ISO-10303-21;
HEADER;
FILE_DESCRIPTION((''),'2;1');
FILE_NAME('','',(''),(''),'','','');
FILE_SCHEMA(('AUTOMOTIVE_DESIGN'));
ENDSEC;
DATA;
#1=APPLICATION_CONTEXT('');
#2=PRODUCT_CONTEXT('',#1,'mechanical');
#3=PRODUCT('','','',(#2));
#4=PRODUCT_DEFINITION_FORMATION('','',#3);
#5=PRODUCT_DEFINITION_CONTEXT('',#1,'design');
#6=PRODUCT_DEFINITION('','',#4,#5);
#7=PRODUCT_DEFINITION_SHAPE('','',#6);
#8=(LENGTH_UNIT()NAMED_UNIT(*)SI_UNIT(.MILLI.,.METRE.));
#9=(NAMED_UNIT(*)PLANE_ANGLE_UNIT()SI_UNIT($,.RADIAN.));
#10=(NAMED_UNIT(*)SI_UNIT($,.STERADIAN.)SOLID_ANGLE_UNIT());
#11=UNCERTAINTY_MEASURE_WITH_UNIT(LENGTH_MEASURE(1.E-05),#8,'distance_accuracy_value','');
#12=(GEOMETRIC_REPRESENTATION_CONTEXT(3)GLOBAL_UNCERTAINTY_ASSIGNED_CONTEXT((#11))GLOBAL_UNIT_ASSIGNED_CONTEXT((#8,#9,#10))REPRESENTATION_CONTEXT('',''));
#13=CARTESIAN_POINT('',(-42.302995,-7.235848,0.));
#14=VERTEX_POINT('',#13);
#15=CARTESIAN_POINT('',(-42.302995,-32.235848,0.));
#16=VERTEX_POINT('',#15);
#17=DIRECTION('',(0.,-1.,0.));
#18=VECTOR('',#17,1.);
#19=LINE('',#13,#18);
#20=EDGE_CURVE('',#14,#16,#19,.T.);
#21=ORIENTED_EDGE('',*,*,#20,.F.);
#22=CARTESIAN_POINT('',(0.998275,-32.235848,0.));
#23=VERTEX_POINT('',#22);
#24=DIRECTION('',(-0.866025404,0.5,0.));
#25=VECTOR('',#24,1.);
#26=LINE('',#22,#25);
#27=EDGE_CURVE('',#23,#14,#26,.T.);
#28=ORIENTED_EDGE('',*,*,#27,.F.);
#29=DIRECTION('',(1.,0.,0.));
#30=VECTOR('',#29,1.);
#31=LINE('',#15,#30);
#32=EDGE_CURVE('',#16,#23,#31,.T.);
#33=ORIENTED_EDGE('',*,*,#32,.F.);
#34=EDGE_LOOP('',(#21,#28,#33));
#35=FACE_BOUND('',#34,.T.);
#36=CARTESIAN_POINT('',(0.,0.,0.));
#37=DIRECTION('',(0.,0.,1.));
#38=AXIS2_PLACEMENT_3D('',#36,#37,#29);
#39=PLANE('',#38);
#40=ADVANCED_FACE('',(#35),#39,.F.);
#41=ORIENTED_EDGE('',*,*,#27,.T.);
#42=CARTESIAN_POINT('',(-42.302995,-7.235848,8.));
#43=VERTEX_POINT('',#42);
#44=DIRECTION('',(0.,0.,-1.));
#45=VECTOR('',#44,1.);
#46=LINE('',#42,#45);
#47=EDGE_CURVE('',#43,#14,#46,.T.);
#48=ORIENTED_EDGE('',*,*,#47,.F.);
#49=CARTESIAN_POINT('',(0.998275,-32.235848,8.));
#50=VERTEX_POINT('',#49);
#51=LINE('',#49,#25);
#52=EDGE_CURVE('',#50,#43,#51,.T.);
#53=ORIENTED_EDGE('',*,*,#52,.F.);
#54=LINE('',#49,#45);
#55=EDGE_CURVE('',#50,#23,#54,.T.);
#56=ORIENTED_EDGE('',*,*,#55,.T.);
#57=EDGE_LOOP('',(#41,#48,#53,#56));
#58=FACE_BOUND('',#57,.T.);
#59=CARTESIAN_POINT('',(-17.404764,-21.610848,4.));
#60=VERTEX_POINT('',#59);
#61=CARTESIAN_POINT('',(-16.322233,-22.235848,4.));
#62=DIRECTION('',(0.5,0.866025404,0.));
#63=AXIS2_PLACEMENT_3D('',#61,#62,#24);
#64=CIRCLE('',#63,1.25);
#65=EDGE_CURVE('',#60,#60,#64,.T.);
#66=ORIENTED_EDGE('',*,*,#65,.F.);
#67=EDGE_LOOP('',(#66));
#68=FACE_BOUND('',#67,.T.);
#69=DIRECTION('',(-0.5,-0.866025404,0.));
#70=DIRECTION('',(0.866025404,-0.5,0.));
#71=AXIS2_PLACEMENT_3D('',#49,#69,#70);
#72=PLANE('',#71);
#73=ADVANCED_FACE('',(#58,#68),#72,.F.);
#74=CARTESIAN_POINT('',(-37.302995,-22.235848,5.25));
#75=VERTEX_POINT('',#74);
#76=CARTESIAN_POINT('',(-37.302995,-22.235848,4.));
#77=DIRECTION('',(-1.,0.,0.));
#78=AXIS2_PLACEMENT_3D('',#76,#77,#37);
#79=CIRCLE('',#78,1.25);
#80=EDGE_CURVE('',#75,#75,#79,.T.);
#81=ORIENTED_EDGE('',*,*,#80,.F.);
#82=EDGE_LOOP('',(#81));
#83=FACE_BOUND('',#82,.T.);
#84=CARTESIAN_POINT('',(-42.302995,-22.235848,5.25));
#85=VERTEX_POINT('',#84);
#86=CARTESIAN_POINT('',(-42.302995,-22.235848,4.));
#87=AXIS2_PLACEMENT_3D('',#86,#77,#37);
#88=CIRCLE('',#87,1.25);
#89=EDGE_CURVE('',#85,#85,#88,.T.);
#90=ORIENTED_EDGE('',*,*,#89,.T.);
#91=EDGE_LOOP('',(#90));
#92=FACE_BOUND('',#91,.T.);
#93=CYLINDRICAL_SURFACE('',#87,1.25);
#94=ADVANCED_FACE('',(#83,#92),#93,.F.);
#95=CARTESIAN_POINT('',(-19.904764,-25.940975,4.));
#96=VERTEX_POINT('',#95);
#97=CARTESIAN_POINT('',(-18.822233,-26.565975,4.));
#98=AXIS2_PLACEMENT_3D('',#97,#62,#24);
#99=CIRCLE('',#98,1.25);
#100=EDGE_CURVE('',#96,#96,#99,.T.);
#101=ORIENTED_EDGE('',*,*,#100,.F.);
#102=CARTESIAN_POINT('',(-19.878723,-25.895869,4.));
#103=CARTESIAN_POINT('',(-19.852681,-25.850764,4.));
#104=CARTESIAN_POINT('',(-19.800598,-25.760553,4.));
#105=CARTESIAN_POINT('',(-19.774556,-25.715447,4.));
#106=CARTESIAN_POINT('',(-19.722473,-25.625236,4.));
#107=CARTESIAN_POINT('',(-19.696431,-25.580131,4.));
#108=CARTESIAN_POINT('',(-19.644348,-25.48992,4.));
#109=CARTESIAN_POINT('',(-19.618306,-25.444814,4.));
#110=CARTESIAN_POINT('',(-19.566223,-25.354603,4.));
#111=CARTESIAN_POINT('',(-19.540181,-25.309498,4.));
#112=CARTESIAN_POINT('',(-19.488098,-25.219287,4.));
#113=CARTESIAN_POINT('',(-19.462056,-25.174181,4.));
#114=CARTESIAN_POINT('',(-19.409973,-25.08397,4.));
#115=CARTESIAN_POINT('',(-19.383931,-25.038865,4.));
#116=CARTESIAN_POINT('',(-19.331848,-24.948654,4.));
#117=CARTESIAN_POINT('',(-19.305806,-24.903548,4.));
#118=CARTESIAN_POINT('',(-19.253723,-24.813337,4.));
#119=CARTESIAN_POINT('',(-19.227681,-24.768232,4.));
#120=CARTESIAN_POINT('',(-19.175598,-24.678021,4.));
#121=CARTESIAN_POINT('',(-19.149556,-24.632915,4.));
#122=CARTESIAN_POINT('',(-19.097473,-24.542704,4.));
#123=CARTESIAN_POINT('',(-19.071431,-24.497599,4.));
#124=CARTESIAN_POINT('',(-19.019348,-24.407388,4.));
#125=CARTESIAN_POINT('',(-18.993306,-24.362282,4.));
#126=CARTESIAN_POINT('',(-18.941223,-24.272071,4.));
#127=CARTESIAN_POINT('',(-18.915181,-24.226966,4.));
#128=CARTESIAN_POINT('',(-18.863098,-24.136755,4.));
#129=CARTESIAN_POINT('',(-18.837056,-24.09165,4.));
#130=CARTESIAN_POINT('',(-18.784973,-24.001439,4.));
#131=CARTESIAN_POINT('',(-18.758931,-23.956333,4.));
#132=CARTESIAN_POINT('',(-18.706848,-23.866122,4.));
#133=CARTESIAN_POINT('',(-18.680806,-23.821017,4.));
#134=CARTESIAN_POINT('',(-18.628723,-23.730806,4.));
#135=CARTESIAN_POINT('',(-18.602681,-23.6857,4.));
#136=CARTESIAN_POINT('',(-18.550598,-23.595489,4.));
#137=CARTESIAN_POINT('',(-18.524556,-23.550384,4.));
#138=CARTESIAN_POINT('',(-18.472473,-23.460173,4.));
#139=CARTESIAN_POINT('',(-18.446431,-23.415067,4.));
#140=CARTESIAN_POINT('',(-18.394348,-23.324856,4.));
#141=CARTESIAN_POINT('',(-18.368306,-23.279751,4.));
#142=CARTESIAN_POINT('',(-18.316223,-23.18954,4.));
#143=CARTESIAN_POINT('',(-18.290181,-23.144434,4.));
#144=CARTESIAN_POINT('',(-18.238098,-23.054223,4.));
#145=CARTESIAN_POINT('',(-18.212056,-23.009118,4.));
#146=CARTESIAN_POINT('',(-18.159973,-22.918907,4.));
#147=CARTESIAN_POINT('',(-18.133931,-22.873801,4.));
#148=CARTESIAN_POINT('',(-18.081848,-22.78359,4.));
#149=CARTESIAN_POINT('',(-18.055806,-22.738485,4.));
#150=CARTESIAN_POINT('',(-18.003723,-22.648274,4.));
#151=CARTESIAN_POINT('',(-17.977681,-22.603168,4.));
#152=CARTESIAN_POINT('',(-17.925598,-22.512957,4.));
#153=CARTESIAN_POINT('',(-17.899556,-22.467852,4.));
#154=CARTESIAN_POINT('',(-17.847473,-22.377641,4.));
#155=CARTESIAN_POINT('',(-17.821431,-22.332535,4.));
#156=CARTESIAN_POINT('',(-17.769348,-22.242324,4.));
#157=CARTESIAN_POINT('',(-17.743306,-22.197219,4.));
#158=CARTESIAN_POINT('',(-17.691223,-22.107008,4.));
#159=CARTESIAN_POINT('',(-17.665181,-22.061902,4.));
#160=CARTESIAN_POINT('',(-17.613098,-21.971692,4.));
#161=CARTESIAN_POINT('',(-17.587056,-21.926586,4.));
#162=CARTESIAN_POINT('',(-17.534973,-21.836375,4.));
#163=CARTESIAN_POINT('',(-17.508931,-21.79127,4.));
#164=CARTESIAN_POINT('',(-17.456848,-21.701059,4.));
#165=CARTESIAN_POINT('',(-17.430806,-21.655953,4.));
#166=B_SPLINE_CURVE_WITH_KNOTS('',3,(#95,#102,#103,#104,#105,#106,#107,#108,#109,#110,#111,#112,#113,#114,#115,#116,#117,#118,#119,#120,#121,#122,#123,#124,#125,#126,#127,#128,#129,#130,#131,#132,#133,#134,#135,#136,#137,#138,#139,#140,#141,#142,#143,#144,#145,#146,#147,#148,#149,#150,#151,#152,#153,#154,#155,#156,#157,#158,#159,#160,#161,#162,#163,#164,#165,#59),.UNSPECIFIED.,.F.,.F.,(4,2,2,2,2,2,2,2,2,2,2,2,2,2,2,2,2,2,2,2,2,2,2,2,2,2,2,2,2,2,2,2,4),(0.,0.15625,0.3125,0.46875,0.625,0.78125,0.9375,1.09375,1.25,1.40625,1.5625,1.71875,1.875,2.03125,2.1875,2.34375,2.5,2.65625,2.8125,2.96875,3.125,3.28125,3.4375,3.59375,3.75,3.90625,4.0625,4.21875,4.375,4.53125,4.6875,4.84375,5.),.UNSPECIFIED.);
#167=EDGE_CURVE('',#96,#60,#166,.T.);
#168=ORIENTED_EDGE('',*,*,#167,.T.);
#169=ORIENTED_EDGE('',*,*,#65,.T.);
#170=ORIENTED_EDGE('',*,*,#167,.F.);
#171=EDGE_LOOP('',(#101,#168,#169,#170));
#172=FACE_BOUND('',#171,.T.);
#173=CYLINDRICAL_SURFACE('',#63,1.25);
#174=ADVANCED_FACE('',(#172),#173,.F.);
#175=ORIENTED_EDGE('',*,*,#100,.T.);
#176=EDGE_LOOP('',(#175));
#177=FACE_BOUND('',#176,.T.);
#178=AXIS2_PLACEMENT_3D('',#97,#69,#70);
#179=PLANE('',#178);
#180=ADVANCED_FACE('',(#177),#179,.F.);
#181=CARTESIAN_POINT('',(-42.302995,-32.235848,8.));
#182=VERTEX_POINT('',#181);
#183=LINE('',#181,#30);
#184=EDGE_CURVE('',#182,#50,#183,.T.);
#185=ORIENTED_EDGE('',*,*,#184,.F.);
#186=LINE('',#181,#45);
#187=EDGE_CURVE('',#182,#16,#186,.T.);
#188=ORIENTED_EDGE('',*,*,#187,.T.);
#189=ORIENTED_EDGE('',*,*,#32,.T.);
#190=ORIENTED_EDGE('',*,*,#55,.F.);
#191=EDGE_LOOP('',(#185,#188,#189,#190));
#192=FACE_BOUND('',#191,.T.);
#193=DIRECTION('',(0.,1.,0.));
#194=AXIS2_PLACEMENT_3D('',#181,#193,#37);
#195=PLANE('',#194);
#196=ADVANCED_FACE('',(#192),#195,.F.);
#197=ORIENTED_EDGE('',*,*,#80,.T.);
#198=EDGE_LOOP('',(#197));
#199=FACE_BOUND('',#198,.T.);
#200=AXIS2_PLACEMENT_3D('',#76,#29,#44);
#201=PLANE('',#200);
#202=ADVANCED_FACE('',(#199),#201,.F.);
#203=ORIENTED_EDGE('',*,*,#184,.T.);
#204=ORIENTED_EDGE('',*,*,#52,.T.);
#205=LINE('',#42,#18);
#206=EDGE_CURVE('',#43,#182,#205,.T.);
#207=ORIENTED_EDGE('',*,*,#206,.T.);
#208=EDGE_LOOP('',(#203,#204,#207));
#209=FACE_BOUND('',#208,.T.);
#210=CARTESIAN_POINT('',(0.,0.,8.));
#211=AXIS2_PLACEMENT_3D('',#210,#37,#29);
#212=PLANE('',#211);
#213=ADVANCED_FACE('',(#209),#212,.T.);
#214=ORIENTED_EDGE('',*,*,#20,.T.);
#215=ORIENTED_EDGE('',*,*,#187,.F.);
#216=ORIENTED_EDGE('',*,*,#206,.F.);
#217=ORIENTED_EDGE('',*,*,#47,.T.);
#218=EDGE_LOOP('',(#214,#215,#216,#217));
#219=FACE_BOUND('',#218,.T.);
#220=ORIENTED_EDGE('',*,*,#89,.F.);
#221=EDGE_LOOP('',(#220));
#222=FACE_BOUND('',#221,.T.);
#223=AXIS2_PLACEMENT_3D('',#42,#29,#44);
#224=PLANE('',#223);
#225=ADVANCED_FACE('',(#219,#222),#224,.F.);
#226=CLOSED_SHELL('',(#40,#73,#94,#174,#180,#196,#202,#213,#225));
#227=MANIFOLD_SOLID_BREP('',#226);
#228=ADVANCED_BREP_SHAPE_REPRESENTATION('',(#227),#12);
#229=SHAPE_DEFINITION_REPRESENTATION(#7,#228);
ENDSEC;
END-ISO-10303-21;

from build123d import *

# Parameters (mm, degrees)
EXTRUDE_2_DEPTH        = 8
HOLE_WIZARD_M3_1_D     = 2.5
HOLE_WIZARD_M3_1_DEPTH = 5
HOLE_WIZARD_M3_2_D     = 2.5
HOLE_WIZARD_M3_2_DEPTH = 5


with BuildPart() as part:
    # 草图1 → 凸台-拉伸2 (new body)
    with BuildSketch(Plane.XY):
        Polygon((-42.3029947, -7.235847593), (-42.3029947, -32.235847593), (0.998275489, -32.235847593), align=None)
    extrude(amount=EXTRUDE_2_DEPTH)

    # M3 螺纹孔1
    with Locations(Plane.ZY.offset(42.3029947)):
        with Locations((4, -22.235847593)):
            Hole(HOLE_WIZARD_M3_1_D / 2, depth=HOLE_WIZARD_M3_1_DEPTH)

    # M3 螺纹孔2
    with Locations(Plane(origin=(-13.708962592, -23.744619728, 0), x_dir=(0.8660254037844363, -0.5000000000000042, 0), z_dir=(0.5000000000000042, 0.8660254037844363, 0))):
        with Locations((-3.01754427, -4)):
            Hole(HOLE_WIZARD_M3_2_D / 2, depth=HOLE_WIZARD_M3_2_DEPTH)


solid = part.part
